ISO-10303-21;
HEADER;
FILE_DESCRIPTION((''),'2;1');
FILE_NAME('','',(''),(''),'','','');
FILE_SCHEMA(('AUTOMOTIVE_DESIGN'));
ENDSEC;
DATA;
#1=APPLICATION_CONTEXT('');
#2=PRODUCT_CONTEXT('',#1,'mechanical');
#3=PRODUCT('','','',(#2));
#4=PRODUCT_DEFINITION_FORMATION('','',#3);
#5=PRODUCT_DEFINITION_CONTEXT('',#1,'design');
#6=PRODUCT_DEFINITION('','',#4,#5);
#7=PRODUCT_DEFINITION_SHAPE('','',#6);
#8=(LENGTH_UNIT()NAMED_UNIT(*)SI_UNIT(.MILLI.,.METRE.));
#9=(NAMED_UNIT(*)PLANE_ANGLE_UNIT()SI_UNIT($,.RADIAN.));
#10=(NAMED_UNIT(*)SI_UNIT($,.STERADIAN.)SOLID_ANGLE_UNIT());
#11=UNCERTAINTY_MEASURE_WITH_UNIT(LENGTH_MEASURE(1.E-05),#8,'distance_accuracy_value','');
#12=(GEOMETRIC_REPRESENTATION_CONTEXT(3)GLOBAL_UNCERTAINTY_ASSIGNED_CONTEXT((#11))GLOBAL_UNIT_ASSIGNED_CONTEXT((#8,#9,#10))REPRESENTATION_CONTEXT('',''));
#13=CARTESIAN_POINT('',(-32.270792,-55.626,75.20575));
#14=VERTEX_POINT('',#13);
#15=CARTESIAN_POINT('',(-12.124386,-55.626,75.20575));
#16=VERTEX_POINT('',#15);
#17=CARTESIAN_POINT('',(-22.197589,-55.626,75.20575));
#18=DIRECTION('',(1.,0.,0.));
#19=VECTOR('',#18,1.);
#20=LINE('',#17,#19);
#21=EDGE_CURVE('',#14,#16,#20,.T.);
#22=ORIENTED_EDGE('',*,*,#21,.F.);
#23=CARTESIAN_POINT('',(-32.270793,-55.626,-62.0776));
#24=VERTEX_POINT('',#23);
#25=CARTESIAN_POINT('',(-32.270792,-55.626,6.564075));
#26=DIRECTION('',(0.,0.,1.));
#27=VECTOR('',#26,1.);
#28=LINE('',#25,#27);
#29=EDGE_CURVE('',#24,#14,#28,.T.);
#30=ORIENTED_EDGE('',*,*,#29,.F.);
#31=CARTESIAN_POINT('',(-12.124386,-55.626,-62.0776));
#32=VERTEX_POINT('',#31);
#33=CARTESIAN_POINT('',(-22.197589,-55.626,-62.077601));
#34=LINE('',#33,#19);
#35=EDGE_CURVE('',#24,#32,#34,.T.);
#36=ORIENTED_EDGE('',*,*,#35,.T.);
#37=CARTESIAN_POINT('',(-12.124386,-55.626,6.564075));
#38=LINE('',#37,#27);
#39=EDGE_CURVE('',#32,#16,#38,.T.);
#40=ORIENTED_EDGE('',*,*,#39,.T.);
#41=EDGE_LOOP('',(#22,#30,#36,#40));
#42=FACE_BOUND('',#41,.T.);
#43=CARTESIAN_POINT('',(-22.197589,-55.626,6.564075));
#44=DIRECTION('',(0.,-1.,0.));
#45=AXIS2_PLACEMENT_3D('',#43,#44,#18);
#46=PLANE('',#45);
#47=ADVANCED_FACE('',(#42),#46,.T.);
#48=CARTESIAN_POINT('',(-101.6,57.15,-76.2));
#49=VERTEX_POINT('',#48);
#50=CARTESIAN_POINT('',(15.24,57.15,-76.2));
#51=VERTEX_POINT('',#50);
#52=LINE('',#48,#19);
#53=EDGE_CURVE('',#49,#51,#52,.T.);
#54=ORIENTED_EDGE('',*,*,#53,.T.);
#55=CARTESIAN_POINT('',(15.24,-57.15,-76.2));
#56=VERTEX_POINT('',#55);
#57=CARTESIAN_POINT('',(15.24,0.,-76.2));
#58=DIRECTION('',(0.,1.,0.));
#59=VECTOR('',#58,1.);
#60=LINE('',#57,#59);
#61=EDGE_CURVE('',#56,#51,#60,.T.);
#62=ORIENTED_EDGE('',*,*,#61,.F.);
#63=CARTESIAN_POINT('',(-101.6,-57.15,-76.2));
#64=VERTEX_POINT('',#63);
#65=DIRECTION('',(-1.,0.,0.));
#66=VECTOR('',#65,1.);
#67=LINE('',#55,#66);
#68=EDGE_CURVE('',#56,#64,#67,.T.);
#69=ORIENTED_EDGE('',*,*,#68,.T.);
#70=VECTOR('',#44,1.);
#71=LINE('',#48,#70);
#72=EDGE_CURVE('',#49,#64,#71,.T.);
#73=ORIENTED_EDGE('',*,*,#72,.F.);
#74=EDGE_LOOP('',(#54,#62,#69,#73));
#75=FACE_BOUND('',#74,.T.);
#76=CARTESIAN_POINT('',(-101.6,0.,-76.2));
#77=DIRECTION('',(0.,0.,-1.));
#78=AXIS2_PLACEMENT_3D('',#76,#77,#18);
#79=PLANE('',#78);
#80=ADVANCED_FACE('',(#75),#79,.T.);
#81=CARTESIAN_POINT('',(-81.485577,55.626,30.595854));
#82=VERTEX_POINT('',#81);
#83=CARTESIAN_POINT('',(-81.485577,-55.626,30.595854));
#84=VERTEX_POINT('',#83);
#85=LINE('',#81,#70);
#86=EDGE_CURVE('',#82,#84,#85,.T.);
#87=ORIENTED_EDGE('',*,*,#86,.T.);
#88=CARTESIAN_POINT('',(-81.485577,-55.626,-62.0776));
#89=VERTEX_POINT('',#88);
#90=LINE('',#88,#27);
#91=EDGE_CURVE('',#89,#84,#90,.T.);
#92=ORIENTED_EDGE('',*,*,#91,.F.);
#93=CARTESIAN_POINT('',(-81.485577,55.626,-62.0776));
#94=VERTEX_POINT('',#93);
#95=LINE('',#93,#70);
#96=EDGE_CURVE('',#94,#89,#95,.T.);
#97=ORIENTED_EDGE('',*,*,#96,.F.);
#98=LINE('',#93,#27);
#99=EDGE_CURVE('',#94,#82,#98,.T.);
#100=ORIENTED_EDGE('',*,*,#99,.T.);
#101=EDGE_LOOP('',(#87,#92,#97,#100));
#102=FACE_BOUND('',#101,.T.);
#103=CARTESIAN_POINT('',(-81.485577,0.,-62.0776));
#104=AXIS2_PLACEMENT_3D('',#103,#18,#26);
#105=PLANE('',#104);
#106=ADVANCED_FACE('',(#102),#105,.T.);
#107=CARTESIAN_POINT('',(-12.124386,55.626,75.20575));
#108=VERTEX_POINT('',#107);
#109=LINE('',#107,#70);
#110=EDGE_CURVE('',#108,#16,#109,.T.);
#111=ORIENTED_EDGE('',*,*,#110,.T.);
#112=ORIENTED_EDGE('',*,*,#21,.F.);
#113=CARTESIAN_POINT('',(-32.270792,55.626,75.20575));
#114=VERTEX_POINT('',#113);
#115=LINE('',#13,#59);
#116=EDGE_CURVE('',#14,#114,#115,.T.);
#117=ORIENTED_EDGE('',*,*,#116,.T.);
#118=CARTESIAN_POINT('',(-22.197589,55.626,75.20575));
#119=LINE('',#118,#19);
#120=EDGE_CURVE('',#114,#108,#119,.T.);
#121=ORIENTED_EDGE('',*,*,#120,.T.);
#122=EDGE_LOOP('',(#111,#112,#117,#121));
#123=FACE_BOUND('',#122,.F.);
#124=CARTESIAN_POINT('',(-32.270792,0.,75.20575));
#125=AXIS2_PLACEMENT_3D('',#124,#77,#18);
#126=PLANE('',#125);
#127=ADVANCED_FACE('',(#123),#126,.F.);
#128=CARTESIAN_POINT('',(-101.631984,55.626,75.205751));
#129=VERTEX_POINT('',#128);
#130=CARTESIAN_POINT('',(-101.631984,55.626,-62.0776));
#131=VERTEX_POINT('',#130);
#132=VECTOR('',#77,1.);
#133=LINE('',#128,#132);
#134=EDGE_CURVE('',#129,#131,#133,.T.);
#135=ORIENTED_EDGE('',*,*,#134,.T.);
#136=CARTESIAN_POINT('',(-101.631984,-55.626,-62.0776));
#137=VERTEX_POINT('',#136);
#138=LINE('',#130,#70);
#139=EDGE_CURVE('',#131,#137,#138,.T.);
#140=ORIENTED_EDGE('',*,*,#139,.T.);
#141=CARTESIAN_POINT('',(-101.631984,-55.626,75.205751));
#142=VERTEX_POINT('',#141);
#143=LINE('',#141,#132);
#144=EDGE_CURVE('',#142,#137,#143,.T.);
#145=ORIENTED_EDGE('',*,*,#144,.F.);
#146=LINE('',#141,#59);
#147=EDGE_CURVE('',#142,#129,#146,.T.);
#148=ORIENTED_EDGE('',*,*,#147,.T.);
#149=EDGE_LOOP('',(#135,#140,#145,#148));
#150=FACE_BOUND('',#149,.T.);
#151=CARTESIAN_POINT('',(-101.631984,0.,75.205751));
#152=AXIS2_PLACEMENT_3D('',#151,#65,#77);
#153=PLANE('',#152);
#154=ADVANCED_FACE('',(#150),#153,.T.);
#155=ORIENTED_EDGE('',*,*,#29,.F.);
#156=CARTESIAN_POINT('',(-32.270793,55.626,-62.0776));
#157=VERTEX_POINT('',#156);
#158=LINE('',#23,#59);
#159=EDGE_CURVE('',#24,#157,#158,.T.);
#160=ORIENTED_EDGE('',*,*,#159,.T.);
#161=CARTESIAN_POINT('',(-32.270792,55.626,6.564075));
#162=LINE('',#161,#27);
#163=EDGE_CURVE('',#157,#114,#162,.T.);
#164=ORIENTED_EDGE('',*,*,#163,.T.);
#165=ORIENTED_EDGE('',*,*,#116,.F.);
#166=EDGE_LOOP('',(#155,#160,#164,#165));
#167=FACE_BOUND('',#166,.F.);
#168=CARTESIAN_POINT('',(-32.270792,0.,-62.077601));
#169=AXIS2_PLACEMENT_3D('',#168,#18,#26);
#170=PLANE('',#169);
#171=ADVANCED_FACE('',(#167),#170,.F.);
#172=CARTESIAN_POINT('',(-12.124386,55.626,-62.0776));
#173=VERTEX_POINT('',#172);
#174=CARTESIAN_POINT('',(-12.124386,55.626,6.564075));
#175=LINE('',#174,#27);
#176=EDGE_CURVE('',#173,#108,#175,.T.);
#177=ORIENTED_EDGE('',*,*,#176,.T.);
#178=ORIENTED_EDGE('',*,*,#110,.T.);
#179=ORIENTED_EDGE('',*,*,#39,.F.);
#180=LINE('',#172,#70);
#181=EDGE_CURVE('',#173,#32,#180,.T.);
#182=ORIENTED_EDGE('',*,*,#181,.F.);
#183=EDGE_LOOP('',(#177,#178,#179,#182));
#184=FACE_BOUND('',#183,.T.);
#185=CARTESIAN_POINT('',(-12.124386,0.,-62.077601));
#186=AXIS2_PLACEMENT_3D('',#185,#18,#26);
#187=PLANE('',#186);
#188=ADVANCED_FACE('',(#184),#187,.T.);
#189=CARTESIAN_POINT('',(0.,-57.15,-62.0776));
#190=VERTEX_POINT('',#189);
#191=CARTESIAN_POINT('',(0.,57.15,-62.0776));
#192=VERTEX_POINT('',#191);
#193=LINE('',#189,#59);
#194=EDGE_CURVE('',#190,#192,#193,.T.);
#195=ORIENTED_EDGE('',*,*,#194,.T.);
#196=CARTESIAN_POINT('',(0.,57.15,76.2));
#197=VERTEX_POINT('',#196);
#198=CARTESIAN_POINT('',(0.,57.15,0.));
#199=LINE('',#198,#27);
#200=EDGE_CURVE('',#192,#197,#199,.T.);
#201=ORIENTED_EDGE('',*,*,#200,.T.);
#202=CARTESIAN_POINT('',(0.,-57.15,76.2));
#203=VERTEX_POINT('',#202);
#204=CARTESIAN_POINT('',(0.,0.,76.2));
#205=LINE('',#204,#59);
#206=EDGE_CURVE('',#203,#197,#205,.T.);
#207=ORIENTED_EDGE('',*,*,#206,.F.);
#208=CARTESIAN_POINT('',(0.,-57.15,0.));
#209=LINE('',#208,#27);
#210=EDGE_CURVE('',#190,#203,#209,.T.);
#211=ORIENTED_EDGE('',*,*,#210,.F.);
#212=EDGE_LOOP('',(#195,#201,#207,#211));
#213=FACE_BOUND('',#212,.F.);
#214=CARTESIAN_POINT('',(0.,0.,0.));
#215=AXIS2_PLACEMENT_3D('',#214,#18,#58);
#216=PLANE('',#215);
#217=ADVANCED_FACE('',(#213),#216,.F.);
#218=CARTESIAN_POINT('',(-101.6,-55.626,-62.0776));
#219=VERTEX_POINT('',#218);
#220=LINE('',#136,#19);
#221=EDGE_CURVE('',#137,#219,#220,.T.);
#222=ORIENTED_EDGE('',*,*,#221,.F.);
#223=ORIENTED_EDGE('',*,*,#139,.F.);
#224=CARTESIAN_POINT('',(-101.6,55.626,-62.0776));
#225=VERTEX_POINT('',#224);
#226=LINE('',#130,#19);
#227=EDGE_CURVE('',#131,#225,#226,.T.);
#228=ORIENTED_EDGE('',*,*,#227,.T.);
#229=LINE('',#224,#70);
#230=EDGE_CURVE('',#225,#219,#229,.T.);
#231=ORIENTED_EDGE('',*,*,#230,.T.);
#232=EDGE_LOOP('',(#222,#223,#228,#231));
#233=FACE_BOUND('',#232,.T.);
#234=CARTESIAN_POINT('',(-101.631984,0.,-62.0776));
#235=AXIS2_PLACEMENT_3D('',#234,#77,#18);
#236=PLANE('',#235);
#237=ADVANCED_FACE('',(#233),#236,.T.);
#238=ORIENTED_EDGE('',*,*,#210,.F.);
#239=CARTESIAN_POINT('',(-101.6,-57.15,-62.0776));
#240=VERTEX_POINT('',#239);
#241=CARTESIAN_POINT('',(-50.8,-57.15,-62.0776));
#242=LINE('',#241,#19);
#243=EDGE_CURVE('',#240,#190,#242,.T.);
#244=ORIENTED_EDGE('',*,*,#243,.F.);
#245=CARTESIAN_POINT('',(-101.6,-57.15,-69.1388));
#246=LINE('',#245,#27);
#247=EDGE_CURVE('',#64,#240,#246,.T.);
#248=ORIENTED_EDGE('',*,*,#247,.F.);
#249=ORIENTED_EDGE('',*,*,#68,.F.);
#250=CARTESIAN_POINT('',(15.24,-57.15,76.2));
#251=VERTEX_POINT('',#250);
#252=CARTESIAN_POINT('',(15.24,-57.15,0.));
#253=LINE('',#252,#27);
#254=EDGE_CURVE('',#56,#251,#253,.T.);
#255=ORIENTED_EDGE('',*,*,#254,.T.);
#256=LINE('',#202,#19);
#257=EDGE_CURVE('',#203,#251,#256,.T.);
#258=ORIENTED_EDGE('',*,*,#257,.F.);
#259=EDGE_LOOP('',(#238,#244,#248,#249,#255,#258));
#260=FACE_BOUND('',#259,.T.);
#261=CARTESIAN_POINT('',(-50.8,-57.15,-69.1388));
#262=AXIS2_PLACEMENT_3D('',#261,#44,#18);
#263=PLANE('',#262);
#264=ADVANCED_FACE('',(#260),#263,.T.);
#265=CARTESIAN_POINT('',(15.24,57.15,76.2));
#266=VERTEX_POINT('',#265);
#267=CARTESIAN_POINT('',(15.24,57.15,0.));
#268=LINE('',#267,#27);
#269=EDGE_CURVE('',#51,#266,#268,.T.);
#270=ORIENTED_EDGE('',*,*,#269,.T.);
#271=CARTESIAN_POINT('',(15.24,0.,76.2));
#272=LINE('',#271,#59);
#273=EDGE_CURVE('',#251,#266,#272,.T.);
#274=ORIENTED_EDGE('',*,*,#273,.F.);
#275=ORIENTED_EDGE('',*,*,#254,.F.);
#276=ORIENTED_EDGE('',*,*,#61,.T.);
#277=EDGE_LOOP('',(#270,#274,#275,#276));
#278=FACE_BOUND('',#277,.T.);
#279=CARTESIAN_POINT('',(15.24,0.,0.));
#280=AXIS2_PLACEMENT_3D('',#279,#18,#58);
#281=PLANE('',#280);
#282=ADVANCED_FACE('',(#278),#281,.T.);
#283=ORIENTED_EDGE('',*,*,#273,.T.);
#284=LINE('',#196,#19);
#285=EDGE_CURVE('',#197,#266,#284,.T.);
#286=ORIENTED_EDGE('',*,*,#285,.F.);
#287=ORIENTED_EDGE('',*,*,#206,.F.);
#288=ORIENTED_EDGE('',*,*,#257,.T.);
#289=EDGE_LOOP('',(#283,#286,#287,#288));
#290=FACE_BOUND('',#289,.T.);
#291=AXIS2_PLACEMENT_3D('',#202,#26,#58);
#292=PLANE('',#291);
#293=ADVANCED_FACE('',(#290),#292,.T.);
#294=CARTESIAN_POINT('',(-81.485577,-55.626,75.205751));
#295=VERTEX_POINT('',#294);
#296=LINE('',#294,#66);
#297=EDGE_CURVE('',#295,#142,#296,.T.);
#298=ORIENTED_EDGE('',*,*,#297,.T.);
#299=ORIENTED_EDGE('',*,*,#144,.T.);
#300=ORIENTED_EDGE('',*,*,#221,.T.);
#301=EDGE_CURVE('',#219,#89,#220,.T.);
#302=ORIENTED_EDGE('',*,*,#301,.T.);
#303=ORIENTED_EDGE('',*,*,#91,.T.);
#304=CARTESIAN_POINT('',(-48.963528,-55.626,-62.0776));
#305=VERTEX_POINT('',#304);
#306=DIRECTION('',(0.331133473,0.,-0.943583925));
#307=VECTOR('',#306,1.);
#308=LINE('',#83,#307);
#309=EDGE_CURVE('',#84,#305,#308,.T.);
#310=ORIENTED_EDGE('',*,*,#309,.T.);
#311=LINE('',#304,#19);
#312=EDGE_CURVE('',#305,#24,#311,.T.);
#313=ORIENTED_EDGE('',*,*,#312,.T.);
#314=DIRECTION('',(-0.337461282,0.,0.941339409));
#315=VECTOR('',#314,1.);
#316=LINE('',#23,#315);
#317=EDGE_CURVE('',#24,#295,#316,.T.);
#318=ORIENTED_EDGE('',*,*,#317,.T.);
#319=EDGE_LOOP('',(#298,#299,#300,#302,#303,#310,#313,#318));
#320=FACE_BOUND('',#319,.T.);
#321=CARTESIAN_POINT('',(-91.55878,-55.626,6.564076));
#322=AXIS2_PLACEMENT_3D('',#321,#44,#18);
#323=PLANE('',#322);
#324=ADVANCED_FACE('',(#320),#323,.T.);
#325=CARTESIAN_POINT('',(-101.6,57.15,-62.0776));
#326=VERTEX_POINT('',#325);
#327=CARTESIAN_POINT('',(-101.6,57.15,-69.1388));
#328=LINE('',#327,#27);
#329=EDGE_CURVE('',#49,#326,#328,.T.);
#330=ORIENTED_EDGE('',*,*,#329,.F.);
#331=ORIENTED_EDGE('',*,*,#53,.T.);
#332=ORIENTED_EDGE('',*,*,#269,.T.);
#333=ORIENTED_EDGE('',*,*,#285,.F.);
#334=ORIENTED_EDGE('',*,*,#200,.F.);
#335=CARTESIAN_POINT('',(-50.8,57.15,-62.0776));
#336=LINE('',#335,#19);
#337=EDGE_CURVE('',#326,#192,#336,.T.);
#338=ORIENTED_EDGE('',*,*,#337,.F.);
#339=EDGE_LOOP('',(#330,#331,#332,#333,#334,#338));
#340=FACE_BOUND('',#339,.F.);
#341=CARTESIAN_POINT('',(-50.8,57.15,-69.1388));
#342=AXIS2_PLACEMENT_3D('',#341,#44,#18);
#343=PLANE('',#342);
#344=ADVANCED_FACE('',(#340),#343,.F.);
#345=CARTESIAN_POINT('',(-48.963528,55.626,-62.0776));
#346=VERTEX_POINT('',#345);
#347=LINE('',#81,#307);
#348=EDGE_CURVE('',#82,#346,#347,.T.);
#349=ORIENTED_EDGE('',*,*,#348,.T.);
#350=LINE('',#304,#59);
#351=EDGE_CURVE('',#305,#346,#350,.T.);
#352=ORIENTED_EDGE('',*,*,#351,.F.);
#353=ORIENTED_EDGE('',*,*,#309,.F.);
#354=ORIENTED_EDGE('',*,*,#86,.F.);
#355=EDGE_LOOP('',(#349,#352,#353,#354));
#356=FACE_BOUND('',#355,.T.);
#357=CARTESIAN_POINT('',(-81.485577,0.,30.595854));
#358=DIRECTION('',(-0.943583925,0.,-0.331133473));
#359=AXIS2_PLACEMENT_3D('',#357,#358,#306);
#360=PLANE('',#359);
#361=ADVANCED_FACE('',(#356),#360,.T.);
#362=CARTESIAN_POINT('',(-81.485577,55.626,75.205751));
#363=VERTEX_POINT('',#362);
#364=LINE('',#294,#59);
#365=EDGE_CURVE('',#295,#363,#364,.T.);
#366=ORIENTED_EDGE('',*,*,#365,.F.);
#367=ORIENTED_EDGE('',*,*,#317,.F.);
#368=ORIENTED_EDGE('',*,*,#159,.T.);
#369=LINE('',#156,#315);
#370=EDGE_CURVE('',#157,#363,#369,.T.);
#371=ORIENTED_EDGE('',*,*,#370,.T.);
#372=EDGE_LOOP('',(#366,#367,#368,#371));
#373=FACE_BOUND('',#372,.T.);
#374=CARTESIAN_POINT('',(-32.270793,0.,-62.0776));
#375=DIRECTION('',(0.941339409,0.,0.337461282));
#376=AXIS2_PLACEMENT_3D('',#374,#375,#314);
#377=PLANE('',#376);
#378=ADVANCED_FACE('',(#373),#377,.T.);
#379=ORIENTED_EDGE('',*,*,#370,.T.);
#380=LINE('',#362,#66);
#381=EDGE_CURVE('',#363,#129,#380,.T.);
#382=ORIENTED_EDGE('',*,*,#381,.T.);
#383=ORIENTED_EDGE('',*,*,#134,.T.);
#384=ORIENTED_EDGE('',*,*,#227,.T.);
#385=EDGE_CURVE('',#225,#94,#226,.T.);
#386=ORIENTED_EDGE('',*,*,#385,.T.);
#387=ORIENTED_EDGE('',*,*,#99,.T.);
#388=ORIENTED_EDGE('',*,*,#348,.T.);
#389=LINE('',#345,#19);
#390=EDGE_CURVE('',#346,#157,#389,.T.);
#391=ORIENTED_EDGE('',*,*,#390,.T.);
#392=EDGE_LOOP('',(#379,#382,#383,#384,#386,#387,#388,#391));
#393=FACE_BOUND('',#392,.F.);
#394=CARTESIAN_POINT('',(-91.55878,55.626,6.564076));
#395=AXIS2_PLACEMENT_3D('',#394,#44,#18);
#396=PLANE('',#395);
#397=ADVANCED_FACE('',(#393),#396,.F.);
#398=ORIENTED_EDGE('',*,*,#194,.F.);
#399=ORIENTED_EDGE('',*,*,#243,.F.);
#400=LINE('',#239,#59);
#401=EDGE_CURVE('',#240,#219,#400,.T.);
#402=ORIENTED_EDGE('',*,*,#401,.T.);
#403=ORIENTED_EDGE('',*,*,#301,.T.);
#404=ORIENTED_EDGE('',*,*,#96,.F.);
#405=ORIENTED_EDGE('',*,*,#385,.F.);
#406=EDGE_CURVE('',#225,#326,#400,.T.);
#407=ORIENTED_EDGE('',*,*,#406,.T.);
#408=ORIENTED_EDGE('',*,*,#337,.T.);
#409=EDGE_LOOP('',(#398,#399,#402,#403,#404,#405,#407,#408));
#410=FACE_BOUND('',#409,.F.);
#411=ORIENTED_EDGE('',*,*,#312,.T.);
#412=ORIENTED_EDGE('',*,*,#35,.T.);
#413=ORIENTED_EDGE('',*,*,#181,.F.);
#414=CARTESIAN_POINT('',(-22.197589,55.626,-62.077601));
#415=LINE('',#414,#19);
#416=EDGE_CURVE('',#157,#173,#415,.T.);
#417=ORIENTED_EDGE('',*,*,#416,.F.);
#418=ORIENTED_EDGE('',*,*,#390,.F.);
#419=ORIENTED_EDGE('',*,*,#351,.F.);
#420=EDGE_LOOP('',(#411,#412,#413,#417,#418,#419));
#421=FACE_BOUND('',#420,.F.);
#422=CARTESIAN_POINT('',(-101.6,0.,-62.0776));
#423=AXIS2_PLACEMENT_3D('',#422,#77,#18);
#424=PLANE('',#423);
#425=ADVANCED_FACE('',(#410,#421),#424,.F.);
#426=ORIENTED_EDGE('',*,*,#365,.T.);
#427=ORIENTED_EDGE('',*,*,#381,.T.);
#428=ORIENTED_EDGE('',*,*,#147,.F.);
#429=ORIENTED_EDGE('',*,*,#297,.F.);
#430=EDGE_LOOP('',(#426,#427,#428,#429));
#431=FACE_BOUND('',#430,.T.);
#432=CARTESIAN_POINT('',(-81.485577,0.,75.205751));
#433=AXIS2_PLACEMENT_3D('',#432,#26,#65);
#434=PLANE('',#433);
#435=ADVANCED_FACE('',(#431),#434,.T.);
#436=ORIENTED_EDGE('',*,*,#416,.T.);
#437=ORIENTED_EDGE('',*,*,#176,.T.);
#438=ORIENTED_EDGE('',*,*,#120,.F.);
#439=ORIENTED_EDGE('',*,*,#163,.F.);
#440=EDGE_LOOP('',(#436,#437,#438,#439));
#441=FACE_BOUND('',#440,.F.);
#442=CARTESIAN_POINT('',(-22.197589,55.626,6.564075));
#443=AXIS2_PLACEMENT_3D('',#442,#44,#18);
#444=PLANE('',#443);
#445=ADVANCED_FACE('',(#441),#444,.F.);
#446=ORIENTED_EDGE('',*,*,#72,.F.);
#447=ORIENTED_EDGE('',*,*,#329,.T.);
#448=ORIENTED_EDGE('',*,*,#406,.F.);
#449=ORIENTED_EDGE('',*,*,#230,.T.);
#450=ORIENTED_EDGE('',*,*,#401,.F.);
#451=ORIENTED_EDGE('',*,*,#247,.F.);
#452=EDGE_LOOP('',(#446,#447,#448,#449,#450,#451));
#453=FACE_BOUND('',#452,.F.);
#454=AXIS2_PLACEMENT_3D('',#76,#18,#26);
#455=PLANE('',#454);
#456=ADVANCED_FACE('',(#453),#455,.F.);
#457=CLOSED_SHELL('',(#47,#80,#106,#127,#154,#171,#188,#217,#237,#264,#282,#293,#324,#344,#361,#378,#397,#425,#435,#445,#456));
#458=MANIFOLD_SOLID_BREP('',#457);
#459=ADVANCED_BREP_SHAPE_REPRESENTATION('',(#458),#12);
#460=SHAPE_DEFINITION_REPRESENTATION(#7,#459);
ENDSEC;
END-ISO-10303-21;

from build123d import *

# Parameters (mm, degrees)
F0_W     = 114.3
F0_H     = 152.4
F1_DEPTH = 15.24
F2_W     = 101.6
F2_H     = 14.1224
F3_DEPTH = 57.15
F4_DEPTH = 57.15
F5_W     = 20.146407
F5_H     = 137.283351
F6_DEPTH = 55.626
F7_DEPTH = 55.626


with BuildPart() as f1:
    # F0 (on Right) → F1 (new body)
    with BuildSketch(Plane.YZ):
        Rectangle(F0_W, F0_H)
    extrude(amount=F1_DEPTH)

    # F2 (on Front) → F3 (join)
    with BuildSketch(Plane.XZ):
        with Locations((-50.8, -69.1388)):
            Rectangle(F2_W, F2_H)
    extrude(amount=F3_DEPTH)

    # F2 (on Front) → F4 (join)
    with BuildSketch(Plane.XZ):
        with Locations((-50.8, -69.1388)):
            Rectangle(F2_W, F2_H)
    extrude(amount=-F4_DEPTH)

    # F5 (on Front) → F6 (join)
    with BuildSketch(Plane.XZ):
        Polygon((-101.631984, 75.205751), (-101.631984, -62.0776), (-81.485577, -62.0776), (-81.485577, 30.595854), (-81.485577, 75.205751), align=None)
        with Locations((-22.197589, 6.564075)):
            Rectangle(F5_W, F5_H)
        Polygon((-81.485577, 75.205751), (-81.485577, 30.595854), (-48.963528, -62.0776), (-32.270793, -62.0776), align=None)
    extrude(amount=F6_DEPTH)

    # F5 (on Front) → F7 (join)
    with BuildSketch(Plane.XZ):
        Polygon((-101.631984, 75.205751), (-101.631984, -62.0776), (-81.485577, -62.0776), (-81.485577, 30.595854), (-81.485577, 75.205751), align=None)
        with Locations((-22.197589, 6.564075)):
            Rectangle(F5_W, F5_H)
        Polygon((-81.485577, 75.205751), (-81.485577, 30.595854), (-48.963528, -62.0776), (-32.270793, -62.0776), align=None)
    extrude(amount=-F7_DEPTH)


solid = f1.part
